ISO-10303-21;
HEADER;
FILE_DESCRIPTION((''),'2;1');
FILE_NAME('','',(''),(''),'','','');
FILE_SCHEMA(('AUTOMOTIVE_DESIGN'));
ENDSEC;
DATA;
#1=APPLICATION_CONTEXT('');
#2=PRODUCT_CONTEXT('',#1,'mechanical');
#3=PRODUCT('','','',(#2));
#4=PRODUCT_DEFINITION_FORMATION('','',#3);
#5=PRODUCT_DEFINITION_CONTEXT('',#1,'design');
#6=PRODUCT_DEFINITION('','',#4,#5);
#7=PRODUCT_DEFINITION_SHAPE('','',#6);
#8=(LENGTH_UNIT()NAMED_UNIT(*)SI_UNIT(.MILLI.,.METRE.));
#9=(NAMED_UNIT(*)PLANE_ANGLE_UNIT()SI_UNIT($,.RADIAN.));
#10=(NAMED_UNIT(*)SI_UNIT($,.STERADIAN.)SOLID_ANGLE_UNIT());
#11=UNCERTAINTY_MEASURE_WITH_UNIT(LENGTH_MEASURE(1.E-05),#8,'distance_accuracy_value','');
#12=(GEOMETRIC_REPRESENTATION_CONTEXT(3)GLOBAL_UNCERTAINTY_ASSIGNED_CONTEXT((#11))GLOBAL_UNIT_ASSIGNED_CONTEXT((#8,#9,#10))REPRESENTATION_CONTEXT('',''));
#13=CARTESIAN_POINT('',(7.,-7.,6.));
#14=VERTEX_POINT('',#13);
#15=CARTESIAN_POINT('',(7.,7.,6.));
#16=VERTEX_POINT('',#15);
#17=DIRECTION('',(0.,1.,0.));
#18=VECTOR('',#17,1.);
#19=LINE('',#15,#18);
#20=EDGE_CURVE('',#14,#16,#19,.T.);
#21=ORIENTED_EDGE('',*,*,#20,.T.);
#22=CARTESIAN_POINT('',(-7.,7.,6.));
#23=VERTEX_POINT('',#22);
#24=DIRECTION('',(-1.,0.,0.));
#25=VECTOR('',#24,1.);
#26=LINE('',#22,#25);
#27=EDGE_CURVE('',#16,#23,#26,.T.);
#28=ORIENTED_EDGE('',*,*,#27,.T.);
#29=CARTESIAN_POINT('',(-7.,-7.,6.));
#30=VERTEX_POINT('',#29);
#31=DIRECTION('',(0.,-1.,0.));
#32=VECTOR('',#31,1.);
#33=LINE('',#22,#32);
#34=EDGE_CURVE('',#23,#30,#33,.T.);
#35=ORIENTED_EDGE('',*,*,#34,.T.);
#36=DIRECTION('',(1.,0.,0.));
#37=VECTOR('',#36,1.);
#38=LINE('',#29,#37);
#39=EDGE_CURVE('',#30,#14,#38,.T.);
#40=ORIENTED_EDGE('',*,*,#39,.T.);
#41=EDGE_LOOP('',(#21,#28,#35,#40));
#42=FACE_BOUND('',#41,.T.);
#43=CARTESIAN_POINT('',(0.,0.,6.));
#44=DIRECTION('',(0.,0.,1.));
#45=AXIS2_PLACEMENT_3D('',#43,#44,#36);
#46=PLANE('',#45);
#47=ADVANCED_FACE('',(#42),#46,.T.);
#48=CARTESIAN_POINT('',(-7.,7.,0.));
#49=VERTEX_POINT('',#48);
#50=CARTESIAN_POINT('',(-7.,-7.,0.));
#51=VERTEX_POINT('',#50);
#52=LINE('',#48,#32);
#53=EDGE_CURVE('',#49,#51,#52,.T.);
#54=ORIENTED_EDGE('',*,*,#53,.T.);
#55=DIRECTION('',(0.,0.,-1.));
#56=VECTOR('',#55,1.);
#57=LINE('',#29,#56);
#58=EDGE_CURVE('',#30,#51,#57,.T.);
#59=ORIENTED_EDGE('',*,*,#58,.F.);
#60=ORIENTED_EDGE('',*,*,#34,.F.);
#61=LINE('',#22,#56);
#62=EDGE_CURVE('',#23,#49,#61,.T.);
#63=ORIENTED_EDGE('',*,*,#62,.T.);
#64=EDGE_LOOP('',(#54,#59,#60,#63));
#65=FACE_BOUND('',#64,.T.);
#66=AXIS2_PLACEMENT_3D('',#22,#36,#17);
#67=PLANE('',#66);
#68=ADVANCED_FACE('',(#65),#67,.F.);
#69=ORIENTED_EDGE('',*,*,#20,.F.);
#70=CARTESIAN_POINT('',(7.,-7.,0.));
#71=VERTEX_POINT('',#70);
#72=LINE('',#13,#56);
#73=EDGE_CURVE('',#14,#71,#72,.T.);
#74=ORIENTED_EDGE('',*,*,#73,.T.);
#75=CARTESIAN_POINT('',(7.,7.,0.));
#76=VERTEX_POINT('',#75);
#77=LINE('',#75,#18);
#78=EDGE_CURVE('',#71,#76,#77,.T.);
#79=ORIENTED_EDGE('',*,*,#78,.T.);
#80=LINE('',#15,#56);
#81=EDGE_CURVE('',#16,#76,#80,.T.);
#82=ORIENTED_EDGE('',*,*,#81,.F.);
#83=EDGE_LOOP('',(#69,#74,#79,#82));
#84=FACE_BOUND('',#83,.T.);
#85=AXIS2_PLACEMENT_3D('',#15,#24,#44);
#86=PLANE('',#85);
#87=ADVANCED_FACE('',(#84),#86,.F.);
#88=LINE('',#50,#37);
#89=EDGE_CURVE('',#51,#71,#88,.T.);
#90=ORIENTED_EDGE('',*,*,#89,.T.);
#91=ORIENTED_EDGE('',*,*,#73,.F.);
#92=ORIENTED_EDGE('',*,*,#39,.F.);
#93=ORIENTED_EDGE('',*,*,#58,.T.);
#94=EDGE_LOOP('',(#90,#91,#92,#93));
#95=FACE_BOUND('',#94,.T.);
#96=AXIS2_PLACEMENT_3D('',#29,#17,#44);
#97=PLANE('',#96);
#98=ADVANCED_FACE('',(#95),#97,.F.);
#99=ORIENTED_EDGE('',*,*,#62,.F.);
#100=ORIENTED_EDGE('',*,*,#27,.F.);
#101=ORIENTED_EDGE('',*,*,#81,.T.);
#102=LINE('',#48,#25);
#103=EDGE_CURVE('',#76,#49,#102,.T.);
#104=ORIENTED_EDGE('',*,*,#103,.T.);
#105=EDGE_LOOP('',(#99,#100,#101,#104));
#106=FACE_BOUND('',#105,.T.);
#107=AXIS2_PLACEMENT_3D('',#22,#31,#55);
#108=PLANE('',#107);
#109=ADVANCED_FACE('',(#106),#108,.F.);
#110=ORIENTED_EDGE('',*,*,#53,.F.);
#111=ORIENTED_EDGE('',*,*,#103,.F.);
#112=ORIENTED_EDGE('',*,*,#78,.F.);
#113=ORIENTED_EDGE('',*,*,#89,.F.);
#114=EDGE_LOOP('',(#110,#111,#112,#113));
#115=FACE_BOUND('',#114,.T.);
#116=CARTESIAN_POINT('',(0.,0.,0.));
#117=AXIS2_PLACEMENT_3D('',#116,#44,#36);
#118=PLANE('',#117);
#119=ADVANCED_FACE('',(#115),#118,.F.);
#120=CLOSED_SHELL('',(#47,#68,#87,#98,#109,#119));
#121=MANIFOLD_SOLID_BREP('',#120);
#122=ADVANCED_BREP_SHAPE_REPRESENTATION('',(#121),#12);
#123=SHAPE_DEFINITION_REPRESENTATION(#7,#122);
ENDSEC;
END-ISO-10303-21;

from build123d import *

# Parameters (mm, degrees)
SKETCH1_W           = 14
SKETCH1_H           = 14
BOSS_EXTRUDE1_DEPTH = 6


with BuildPart() as part:
    # Sketch1 → Boss-Extrude1 (new body)
    with BuildSketch(Plane.XY):
        Rectangle(SKETCH1_W, SKETCH1_H)
    extrude(amount=BOSS_EXTRUDE1_DEPTH)


solid = part.part
